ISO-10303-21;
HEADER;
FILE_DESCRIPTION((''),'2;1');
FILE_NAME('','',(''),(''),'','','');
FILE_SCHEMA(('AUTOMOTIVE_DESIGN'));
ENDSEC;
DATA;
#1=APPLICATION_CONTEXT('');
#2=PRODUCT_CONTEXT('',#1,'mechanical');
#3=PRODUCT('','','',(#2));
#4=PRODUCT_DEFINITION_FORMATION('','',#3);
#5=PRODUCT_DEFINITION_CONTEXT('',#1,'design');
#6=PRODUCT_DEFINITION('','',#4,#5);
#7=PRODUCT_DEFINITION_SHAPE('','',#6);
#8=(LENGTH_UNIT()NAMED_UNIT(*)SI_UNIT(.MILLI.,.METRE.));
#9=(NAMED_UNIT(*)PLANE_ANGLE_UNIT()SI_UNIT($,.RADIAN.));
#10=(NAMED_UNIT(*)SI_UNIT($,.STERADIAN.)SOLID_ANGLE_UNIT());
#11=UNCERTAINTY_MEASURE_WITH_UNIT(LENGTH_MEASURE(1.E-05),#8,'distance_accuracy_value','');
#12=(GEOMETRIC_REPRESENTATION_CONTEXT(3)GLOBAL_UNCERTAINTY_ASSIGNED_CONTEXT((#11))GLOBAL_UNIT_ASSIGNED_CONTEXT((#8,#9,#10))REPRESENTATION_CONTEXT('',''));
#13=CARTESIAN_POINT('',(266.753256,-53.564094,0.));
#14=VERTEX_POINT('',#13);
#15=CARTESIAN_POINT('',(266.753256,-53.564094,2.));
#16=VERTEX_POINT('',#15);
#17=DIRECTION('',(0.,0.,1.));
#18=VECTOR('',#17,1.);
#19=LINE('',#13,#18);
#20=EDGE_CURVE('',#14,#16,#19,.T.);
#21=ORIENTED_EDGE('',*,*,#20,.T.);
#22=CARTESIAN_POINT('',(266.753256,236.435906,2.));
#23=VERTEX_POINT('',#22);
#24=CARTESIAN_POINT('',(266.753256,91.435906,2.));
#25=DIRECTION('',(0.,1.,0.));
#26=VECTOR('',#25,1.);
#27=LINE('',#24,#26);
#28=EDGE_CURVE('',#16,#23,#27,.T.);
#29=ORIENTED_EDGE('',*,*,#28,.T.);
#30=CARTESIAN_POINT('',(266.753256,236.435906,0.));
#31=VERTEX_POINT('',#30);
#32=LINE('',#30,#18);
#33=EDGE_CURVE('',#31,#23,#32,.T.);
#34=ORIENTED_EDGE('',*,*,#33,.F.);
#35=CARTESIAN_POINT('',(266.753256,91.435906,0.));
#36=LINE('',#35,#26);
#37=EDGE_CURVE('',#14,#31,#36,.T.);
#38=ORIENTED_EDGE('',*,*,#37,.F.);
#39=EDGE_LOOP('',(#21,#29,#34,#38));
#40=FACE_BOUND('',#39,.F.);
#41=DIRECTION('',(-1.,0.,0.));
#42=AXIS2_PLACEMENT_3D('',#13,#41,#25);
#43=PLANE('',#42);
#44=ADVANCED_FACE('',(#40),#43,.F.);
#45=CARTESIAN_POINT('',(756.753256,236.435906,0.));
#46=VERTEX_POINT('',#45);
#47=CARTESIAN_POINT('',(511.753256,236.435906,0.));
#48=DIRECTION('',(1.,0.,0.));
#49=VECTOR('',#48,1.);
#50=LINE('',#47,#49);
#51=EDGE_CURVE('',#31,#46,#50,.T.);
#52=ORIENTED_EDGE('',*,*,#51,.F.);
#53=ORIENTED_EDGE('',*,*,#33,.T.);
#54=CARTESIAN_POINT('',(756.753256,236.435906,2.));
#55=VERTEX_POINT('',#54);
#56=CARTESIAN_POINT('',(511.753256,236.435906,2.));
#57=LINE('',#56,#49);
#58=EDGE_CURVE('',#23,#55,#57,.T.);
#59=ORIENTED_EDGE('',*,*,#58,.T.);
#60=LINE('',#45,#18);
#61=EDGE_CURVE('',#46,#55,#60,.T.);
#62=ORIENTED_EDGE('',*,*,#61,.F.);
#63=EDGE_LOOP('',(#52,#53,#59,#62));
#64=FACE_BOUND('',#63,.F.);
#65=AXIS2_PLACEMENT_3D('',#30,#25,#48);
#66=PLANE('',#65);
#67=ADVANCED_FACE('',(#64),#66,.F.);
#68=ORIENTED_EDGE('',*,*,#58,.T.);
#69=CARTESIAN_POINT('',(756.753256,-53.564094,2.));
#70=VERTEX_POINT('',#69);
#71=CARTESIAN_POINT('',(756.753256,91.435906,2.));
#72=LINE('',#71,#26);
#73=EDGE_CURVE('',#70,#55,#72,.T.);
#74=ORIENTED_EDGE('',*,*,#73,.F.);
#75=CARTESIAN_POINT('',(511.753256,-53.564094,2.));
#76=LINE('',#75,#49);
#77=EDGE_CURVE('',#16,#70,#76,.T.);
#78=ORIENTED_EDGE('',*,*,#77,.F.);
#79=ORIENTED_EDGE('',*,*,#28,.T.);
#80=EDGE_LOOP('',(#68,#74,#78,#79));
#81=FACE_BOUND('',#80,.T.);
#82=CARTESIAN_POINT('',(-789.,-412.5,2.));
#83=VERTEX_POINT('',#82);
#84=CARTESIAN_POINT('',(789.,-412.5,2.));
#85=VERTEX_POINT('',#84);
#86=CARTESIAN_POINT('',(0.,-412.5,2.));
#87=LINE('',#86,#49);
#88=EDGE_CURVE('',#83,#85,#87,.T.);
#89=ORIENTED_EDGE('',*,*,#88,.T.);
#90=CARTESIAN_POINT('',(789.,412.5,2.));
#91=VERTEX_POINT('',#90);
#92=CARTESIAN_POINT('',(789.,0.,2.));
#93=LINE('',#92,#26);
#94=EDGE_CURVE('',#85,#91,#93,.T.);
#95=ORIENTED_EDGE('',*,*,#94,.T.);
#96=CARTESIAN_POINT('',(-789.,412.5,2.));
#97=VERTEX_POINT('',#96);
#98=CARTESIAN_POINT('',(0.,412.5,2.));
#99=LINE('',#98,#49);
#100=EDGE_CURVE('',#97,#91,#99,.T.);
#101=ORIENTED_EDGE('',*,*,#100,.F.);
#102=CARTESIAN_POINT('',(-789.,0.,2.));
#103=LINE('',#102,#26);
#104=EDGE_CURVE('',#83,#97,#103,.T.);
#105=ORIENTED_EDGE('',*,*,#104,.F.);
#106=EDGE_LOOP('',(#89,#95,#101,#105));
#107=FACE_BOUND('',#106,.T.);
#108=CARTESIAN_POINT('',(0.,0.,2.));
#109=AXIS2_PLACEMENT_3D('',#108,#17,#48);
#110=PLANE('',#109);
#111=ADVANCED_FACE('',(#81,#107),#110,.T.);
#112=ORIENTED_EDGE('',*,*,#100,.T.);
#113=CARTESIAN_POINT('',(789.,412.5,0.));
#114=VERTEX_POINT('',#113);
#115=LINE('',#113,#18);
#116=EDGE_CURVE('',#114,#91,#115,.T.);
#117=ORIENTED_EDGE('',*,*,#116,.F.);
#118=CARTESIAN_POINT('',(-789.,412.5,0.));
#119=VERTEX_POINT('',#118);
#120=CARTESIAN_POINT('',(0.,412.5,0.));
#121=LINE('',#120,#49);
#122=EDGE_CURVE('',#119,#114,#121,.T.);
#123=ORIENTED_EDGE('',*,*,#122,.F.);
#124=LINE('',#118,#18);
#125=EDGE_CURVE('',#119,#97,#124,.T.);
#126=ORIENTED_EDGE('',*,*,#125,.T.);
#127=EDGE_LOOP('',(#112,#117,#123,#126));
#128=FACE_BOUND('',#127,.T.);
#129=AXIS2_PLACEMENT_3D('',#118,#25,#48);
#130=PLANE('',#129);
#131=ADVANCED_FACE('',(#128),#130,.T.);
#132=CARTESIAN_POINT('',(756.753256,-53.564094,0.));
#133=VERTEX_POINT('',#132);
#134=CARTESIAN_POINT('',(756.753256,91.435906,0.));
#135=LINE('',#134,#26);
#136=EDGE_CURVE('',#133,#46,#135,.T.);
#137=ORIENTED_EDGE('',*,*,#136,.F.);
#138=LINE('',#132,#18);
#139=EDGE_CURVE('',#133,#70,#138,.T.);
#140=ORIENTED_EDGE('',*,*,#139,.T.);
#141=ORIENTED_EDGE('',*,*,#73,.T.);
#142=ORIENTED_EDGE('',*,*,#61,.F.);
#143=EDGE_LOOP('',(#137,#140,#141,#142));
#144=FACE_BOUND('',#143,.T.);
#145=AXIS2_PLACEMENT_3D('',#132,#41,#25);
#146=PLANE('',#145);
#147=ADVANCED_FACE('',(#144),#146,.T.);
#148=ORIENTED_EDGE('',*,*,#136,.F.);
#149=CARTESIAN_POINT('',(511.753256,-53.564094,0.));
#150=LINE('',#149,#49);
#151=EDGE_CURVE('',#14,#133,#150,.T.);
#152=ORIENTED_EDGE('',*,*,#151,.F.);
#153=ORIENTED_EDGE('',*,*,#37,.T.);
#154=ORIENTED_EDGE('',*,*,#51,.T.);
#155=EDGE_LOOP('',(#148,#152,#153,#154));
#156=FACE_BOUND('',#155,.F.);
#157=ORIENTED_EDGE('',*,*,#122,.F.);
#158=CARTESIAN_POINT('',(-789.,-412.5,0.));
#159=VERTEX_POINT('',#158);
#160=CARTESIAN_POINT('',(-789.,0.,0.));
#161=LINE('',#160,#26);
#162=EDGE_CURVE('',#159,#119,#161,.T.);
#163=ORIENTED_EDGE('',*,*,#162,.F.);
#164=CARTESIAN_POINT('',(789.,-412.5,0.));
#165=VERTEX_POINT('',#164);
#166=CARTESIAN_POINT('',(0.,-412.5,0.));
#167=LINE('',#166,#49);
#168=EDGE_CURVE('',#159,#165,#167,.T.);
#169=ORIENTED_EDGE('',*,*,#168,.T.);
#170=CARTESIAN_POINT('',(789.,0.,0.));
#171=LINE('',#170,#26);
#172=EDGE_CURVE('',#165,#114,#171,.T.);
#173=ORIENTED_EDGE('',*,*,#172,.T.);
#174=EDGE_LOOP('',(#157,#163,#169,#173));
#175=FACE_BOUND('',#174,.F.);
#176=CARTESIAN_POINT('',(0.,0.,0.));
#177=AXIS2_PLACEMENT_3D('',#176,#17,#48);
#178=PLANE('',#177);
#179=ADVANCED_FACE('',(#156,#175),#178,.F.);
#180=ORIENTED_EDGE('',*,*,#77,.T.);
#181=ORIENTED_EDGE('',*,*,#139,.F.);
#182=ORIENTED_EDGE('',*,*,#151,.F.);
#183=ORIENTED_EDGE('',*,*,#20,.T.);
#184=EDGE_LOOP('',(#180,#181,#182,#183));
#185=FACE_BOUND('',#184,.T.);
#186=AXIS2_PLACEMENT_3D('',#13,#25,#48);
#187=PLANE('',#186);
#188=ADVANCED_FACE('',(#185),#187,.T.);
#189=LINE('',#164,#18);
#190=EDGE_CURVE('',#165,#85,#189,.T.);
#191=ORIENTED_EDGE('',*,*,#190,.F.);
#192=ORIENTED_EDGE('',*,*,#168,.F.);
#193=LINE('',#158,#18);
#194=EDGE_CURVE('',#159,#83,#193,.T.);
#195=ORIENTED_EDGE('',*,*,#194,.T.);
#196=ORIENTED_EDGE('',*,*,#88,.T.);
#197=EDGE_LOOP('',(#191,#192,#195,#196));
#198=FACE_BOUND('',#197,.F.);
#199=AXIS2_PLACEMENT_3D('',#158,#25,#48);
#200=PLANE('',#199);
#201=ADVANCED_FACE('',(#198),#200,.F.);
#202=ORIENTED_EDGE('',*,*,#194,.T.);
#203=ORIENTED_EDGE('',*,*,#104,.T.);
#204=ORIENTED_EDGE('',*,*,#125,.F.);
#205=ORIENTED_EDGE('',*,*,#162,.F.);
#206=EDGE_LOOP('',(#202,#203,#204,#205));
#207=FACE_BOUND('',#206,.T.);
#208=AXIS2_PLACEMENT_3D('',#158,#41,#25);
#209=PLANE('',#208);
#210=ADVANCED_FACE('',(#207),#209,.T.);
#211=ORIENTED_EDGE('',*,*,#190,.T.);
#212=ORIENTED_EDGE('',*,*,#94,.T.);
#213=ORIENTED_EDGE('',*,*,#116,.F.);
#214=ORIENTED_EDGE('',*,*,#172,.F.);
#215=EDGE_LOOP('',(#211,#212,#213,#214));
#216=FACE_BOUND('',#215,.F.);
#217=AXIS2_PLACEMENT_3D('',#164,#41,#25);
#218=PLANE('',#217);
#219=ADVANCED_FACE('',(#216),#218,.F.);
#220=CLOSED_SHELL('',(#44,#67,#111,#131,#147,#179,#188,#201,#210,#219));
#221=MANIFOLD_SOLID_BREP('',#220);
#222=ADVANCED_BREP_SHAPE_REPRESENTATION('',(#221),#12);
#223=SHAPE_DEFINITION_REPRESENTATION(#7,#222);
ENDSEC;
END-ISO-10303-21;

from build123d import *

# Parameters (mm, degrees)
F0_W     = 1578
F0_H     = 825
F0_W_2   = 490
F0_H_2   = 290
F1_DEPTH = 2


with BuildPart() as f1:
    # F0 (on Top) → F1 (new body)
    with BuildSketch(Plane.XY):
        Rectangle(F0_W, F0_H)
        with Locations((511.753256, 91.435906)):
            Rectangle(F0_W_2, F0_H_2, mode=Mode.SUBTRACT)
    extrude(amount=F1_DEPTH)


solid = f1.part
